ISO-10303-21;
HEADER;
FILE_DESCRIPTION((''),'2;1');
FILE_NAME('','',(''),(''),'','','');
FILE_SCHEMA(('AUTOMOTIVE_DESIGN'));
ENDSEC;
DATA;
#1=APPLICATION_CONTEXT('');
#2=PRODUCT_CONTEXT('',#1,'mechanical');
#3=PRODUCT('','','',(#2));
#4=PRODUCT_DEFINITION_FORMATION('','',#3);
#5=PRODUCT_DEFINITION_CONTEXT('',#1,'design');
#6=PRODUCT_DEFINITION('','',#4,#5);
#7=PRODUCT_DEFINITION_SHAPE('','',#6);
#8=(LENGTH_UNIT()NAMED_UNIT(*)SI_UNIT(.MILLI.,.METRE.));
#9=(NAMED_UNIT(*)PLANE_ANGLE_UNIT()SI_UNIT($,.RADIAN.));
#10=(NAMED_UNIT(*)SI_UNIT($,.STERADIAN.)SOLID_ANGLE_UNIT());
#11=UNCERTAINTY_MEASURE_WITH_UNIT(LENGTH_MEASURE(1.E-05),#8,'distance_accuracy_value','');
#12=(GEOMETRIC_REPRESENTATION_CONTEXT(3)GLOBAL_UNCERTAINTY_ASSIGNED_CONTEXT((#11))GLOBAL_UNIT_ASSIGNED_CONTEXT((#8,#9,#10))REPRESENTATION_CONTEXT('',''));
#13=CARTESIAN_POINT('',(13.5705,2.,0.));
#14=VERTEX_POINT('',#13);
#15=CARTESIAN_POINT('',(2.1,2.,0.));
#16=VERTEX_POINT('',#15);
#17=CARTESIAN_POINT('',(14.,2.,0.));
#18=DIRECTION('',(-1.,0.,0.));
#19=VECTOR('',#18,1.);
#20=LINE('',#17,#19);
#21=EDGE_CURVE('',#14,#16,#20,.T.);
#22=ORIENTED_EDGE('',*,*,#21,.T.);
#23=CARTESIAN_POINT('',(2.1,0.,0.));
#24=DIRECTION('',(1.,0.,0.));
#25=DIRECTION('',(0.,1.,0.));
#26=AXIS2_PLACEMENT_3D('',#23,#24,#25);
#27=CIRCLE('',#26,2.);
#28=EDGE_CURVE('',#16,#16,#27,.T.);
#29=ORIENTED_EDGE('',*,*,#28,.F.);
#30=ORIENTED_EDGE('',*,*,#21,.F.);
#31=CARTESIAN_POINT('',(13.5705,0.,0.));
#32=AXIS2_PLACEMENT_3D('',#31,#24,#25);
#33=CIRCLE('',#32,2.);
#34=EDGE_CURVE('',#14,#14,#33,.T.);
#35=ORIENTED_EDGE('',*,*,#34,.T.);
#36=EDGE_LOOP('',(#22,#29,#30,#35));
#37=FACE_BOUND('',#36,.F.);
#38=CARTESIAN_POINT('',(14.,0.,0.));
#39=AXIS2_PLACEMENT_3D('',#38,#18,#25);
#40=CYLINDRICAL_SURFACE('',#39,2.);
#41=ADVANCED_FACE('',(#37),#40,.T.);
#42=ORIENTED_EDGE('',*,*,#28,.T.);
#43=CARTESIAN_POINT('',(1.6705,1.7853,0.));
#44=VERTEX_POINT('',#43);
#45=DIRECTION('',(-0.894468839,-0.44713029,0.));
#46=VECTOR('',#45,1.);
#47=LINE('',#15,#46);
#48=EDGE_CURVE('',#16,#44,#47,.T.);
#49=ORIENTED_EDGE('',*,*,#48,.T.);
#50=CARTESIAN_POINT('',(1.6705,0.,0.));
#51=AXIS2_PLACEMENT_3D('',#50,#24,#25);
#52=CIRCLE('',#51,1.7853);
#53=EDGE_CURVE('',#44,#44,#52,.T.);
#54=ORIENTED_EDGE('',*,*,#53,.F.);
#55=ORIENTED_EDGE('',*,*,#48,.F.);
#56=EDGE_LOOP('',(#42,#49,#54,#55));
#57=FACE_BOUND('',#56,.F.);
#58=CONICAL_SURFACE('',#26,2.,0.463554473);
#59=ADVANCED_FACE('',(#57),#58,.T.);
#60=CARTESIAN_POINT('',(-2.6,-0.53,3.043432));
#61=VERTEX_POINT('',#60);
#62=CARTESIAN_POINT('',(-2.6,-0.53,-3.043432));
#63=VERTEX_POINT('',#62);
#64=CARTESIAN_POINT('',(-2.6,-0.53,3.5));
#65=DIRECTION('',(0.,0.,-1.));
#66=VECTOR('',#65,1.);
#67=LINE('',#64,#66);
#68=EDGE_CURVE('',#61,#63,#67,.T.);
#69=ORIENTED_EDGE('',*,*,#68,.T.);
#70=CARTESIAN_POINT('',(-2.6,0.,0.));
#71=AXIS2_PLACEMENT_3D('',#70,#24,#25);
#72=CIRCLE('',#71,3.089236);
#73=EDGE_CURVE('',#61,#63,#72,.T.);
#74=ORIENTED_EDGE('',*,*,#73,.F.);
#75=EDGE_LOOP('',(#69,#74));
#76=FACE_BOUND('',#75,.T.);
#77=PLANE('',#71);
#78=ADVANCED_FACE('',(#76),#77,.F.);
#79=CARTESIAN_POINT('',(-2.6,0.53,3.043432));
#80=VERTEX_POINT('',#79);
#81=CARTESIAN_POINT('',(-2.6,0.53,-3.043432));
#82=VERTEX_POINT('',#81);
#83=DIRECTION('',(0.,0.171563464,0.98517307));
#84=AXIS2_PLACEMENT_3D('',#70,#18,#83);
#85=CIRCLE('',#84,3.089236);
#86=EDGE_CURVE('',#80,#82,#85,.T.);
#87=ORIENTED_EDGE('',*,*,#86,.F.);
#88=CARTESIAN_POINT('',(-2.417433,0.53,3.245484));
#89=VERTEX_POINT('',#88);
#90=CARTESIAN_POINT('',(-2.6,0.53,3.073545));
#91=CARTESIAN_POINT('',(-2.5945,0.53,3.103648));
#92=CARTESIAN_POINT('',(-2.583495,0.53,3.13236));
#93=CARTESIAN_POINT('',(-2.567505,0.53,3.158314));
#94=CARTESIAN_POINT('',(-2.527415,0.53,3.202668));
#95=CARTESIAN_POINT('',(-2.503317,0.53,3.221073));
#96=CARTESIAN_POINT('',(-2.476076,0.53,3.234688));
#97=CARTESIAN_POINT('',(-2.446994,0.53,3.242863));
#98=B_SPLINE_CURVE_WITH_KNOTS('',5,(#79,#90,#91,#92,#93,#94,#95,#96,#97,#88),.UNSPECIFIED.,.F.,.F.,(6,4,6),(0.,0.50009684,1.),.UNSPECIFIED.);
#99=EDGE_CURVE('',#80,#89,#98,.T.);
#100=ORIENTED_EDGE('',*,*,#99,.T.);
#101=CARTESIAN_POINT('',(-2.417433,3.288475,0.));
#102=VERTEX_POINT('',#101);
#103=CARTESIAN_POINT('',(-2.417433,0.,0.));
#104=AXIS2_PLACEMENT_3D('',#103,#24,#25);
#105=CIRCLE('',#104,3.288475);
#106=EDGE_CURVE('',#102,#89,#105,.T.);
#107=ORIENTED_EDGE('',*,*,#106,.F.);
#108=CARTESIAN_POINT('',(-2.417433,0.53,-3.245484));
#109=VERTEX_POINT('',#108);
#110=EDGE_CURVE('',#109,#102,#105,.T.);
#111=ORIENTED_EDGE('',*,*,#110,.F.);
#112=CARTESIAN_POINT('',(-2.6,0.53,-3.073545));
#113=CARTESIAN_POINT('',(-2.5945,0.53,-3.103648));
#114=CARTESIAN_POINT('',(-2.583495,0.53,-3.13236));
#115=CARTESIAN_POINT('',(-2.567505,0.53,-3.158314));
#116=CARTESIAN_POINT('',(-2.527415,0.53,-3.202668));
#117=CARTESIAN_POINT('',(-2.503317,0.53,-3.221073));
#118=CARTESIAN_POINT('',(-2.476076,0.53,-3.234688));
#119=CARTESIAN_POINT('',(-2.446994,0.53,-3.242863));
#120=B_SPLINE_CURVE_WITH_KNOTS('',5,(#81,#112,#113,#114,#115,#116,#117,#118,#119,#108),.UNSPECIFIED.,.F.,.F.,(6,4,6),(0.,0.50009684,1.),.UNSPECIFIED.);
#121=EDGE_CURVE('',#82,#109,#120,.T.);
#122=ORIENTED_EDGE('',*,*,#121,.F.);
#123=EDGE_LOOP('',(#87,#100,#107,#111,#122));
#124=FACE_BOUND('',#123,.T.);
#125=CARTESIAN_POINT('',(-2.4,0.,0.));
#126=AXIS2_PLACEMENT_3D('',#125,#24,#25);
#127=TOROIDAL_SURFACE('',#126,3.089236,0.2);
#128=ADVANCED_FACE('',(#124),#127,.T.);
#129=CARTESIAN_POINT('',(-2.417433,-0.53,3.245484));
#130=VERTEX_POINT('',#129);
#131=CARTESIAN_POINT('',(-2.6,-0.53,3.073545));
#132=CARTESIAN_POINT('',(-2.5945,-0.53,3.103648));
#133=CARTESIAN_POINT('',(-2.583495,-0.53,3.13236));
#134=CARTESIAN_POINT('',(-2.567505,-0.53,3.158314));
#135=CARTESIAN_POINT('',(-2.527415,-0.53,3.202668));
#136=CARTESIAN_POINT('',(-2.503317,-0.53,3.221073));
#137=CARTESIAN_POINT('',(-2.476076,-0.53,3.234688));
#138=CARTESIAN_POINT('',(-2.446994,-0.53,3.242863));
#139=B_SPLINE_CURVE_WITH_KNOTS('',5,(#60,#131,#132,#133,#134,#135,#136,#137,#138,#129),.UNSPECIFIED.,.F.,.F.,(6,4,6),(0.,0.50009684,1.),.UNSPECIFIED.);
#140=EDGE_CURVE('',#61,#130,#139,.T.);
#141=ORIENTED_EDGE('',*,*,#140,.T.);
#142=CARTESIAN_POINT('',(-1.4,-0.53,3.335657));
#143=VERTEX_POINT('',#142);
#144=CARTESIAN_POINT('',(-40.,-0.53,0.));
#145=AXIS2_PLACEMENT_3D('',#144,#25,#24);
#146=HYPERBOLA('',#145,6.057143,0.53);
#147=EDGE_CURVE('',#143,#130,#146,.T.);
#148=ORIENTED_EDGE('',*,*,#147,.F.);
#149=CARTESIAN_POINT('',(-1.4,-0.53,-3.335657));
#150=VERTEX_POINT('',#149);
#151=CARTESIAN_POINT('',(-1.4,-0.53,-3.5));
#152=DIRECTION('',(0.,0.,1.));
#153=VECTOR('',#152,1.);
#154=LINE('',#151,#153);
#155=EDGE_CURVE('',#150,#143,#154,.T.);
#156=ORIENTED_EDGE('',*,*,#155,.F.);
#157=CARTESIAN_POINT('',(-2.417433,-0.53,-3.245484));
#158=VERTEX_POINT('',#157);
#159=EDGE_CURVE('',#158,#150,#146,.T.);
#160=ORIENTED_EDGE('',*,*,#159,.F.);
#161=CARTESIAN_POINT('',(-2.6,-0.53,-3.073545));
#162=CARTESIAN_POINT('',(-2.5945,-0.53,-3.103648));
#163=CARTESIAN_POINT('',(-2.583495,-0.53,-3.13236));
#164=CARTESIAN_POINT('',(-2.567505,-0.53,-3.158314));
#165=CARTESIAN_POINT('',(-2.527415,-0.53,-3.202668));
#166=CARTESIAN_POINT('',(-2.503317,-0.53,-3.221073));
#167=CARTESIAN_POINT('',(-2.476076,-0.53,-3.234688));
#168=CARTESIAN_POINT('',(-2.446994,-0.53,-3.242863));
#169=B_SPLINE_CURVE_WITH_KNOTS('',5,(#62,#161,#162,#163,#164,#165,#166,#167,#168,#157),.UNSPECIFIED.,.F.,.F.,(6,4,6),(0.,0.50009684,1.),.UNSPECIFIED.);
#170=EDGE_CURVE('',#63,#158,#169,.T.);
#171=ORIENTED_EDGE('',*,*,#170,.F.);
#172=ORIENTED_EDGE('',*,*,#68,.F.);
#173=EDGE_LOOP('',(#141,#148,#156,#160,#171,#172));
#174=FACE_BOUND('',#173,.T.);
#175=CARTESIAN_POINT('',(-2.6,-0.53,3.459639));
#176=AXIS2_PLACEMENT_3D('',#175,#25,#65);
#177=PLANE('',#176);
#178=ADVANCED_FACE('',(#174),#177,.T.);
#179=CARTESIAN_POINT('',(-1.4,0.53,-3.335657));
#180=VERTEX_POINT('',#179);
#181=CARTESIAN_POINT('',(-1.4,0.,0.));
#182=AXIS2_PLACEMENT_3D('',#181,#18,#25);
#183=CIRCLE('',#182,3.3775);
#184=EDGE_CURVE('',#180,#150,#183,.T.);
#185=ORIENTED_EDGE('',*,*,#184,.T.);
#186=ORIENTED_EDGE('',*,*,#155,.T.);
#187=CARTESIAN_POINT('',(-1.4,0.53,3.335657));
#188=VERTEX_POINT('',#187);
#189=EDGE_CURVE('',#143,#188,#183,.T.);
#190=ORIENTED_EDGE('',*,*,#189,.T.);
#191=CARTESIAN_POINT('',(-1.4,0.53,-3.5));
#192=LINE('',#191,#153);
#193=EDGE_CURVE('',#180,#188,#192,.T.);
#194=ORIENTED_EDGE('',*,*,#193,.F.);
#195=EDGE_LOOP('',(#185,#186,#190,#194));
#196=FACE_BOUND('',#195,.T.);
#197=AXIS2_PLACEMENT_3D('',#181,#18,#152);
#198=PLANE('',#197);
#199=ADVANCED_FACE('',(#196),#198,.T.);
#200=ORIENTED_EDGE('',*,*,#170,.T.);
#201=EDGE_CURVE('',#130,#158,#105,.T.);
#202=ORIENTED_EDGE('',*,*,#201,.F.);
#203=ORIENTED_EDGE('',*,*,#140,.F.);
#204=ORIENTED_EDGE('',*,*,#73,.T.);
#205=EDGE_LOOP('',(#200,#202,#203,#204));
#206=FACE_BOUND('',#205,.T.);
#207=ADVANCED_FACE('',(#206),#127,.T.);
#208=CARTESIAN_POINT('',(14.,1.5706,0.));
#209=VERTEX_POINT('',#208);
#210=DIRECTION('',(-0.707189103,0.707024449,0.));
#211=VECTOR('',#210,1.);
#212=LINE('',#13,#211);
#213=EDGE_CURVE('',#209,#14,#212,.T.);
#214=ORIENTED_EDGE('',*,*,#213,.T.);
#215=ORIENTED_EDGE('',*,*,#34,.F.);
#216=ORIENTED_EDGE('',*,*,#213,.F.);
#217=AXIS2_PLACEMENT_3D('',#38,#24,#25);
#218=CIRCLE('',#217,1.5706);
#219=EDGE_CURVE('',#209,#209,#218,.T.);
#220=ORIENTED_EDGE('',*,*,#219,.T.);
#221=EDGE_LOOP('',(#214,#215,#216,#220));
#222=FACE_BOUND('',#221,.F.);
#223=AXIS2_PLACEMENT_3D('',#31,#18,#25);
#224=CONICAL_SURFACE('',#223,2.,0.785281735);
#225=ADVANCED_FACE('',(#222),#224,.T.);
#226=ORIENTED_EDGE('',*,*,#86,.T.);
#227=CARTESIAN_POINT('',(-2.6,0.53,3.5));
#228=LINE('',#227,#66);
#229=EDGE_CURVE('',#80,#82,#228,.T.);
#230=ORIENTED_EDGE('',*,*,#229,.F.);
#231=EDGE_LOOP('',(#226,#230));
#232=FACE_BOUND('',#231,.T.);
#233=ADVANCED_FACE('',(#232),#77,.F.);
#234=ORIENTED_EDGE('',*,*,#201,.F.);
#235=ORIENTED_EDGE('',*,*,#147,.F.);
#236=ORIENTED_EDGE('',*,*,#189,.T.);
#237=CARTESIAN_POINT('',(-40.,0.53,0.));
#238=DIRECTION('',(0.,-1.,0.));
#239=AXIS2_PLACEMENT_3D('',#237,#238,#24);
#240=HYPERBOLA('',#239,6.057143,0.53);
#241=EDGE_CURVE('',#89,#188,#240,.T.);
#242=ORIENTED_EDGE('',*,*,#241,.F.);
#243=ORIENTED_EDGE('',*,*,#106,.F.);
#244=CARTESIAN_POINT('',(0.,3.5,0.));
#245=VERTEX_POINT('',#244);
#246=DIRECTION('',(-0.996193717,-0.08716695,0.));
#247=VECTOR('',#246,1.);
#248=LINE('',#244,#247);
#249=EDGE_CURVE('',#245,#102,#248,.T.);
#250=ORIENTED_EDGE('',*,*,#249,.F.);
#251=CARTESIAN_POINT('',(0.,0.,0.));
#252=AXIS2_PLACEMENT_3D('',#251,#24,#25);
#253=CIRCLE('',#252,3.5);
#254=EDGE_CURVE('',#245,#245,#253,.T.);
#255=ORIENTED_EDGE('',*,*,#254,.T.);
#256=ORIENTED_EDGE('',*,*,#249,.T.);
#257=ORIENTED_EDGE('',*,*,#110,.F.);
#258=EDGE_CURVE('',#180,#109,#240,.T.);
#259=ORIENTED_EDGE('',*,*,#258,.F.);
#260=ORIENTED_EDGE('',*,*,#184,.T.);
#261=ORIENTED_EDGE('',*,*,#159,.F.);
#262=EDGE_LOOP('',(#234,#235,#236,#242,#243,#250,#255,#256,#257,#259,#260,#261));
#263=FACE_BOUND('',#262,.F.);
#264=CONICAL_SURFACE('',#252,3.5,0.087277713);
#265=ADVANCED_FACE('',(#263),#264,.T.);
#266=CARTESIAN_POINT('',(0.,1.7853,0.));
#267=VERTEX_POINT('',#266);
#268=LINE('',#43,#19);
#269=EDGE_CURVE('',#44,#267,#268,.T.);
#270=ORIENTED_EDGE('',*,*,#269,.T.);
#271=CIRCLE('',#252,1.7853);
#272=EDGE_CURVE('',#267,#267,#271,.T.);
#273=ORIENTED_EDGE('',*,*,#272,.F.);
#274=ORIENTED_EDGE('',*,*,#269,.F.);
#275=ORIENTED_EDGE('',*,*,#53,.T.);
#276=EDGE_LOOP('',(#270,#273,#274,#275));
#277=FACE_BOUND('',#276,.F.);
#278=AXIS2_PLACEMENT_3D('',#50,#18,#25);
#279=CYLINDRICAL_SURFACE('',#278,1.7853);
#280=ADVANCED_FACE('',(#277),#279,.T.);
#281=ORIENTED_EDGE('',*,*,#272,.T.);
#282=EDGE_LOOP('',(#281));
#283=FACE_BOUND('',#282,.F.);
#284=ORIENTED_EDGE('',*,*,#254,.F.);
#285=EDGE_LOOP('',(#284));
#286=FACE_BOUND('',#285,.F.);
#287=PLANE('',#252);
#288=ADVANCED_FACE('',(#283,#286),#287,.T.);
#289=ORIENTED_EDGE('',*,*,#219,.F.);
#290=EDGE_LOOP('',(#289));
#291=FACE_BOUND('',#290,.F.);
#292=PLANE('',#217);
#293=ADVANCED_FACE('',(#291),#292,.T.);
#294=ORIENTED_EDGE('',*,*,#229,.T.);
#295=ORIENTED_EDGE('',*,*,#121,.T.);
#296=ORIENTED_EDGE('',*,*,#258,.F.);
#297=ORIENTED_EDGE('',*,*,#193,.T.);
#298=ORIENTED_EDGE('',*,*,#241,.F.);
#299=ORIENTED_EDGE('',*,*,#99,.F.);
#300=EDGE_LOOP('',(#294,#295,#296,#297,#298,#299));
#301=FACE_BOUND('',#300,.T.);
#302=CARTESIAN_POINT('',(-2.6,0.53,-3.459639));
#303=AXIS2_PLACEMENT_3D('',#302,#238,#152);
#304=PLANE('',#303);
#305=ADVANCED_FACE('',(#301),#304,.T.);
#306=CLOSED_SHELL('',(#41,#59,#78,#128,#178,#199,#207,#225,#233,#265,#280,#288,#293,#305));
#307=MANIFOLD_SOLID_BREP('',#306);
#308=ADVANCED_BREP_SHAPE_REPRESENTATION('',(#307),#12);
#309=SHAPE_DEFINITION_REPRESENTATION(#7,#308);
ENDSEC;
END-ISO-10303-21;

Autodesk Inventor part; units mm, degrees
ref_plane "YZ Plane" through (0, 0, 0) normal (1, 0, 0) x (0, 1, 0)
ref_plane "XZ Plane" through (0, 0, 0) normal (0, 1, 0) x (-1, 0, 0)
sketch "Эскиз1" plane through (0, 0, 0) normal (0, 0, 1) x (1, 0, 0)
  line L0 (-2.6, 0) -> (14, 0)
  line L1 (14, 0) -> (14, 2)
  line L2 (14, 2) -> (2.1, 2)
  line L3 (2.1, 2) -> (1.6705, 1.7853)
  line L4 (1.6705, 1.7853) -> (0, 1.7853)
  line L5 (0, 1.7853) -> (0, 3.5)
  line L6 (-5.92, 0) -> (17.32, 0) projected
  line L7 (0, -0.7) -> (0, 4.2) projected
  line L8 (-2.6, 0) -> (-2.6, 3.2725)
  line L9 (0, 3.5) -> (-2.6, 3.2725)
  line L10 (2.1, 2) -> (0, 2) construction
  dimension "d0" = 14
  dimension "d1" = 11.9
  dimension "d2" = 0.4295
  dimension "d3" = 2.6
  dimension "d4" = 4
  dimension "d5" = 3.5705
  dimension "d9" = 7
  dimension "d10" = 5
revolve "Базовый элемент" add sketch "Эскиз1" angle 360 about axis through (-2.6, 0, 0) along (1, 0, 0)
sketch "Эскиз2" plane through (-2.6, 0, 0) normal (-1, 0, 0) x (0, 0, 1)
  circle A0 centre (0, 0) radius 3.5 projected
  line L0 (0, 0) -> (0, 3.2725) projected
  line L1 (-3.5, 0.53) -> (3.5, 0.53)
  line L2 (3.5, 0.53) -> (3.5, -0.53)
  line L3 (3.5, -0.53) -> (-3.5, -0.53)
  line L4 (-3.5, -0.53) -> (-3.5, 0.53)
  line L5 (-3.5, 0) -> (3.5, 0) construction
  line L6 (0, 0.53) -> (0, -0.53) construction
  dimension "d11" = 1.06
  dimension "d12" = 7
fillet "Сопряжение1" radius 0.2 1 edges at (-2.6, -3.2725, 0)
extrude "Паз" cut sketch "Эскиз2" against normal blind 1.2 contours A0 L3 L1 | L2 L3 A0 | A0 L1 L2 | A0 L4 L1 | L3 L4 A0
thread "Резьба" size "M4x0.7" class "6g" standard "ISO Metric profile" length 11.9
chamfer "Фаска1" distance 0.4294 distance2 0.4295 1 edges at (14, -2, 0) measured on face at (14, 0.6473, -0.1595)
ref_plane "Work Plane1" through (30.1625, 0, 0) normal (0, 0, -1) x (1, 0, 0)
equation "\"d11\" = SBR"
equation "\"d12\" = KOD"
equation "\"d14\" = RR"
equation "\"d19\" = STI"
equation "\"d15\" = GEL"
equation "\"d17\" = -0.5 * SPD + 0.5 * GD"
equation "\"d0\" = NLG"
equation "\"d1\" = GEL"
equation "\"d3\" = KOH"
equation "\"d4\" = GD"
equation "\"d5\" = BDM"
equation "\"d9\" = KOD"
equation "\"d10\" = KEWI"
equation "\"GD\" = NND"
equation "\"NLG\" = 14"
equation "\"GEL\" = 11.9"
equation "\"KOD\" = 7"
equation "\"KOH\" = 2.6"
equation "\"GAL\" = 0.61345 * PTC"
equation "\"SPD\" = NND - 1.2269 * PTC"
equation "\"BDM\" = 3.5705"
equation "\"GUL\" = 0.61345 * PTC"
equation "\"RR\" = 0.2"
equation "\"SBR\" = 1.06"
equation "\"STI\" = 1.2"
equation "\"KEWI\" = 5deg"
equation "\"PTC\" = 0.7"
equation "\"THREADDIA\" = 4"
equation "\"TOA\" = 30deg"
equation "\"NND\" = 4"
equation "\"GD1\" = THREADDIA - 1.2269 * PTC"
properties part number "CSN 02 1131 - M4 x 14" material "Сталь, мягкая"
